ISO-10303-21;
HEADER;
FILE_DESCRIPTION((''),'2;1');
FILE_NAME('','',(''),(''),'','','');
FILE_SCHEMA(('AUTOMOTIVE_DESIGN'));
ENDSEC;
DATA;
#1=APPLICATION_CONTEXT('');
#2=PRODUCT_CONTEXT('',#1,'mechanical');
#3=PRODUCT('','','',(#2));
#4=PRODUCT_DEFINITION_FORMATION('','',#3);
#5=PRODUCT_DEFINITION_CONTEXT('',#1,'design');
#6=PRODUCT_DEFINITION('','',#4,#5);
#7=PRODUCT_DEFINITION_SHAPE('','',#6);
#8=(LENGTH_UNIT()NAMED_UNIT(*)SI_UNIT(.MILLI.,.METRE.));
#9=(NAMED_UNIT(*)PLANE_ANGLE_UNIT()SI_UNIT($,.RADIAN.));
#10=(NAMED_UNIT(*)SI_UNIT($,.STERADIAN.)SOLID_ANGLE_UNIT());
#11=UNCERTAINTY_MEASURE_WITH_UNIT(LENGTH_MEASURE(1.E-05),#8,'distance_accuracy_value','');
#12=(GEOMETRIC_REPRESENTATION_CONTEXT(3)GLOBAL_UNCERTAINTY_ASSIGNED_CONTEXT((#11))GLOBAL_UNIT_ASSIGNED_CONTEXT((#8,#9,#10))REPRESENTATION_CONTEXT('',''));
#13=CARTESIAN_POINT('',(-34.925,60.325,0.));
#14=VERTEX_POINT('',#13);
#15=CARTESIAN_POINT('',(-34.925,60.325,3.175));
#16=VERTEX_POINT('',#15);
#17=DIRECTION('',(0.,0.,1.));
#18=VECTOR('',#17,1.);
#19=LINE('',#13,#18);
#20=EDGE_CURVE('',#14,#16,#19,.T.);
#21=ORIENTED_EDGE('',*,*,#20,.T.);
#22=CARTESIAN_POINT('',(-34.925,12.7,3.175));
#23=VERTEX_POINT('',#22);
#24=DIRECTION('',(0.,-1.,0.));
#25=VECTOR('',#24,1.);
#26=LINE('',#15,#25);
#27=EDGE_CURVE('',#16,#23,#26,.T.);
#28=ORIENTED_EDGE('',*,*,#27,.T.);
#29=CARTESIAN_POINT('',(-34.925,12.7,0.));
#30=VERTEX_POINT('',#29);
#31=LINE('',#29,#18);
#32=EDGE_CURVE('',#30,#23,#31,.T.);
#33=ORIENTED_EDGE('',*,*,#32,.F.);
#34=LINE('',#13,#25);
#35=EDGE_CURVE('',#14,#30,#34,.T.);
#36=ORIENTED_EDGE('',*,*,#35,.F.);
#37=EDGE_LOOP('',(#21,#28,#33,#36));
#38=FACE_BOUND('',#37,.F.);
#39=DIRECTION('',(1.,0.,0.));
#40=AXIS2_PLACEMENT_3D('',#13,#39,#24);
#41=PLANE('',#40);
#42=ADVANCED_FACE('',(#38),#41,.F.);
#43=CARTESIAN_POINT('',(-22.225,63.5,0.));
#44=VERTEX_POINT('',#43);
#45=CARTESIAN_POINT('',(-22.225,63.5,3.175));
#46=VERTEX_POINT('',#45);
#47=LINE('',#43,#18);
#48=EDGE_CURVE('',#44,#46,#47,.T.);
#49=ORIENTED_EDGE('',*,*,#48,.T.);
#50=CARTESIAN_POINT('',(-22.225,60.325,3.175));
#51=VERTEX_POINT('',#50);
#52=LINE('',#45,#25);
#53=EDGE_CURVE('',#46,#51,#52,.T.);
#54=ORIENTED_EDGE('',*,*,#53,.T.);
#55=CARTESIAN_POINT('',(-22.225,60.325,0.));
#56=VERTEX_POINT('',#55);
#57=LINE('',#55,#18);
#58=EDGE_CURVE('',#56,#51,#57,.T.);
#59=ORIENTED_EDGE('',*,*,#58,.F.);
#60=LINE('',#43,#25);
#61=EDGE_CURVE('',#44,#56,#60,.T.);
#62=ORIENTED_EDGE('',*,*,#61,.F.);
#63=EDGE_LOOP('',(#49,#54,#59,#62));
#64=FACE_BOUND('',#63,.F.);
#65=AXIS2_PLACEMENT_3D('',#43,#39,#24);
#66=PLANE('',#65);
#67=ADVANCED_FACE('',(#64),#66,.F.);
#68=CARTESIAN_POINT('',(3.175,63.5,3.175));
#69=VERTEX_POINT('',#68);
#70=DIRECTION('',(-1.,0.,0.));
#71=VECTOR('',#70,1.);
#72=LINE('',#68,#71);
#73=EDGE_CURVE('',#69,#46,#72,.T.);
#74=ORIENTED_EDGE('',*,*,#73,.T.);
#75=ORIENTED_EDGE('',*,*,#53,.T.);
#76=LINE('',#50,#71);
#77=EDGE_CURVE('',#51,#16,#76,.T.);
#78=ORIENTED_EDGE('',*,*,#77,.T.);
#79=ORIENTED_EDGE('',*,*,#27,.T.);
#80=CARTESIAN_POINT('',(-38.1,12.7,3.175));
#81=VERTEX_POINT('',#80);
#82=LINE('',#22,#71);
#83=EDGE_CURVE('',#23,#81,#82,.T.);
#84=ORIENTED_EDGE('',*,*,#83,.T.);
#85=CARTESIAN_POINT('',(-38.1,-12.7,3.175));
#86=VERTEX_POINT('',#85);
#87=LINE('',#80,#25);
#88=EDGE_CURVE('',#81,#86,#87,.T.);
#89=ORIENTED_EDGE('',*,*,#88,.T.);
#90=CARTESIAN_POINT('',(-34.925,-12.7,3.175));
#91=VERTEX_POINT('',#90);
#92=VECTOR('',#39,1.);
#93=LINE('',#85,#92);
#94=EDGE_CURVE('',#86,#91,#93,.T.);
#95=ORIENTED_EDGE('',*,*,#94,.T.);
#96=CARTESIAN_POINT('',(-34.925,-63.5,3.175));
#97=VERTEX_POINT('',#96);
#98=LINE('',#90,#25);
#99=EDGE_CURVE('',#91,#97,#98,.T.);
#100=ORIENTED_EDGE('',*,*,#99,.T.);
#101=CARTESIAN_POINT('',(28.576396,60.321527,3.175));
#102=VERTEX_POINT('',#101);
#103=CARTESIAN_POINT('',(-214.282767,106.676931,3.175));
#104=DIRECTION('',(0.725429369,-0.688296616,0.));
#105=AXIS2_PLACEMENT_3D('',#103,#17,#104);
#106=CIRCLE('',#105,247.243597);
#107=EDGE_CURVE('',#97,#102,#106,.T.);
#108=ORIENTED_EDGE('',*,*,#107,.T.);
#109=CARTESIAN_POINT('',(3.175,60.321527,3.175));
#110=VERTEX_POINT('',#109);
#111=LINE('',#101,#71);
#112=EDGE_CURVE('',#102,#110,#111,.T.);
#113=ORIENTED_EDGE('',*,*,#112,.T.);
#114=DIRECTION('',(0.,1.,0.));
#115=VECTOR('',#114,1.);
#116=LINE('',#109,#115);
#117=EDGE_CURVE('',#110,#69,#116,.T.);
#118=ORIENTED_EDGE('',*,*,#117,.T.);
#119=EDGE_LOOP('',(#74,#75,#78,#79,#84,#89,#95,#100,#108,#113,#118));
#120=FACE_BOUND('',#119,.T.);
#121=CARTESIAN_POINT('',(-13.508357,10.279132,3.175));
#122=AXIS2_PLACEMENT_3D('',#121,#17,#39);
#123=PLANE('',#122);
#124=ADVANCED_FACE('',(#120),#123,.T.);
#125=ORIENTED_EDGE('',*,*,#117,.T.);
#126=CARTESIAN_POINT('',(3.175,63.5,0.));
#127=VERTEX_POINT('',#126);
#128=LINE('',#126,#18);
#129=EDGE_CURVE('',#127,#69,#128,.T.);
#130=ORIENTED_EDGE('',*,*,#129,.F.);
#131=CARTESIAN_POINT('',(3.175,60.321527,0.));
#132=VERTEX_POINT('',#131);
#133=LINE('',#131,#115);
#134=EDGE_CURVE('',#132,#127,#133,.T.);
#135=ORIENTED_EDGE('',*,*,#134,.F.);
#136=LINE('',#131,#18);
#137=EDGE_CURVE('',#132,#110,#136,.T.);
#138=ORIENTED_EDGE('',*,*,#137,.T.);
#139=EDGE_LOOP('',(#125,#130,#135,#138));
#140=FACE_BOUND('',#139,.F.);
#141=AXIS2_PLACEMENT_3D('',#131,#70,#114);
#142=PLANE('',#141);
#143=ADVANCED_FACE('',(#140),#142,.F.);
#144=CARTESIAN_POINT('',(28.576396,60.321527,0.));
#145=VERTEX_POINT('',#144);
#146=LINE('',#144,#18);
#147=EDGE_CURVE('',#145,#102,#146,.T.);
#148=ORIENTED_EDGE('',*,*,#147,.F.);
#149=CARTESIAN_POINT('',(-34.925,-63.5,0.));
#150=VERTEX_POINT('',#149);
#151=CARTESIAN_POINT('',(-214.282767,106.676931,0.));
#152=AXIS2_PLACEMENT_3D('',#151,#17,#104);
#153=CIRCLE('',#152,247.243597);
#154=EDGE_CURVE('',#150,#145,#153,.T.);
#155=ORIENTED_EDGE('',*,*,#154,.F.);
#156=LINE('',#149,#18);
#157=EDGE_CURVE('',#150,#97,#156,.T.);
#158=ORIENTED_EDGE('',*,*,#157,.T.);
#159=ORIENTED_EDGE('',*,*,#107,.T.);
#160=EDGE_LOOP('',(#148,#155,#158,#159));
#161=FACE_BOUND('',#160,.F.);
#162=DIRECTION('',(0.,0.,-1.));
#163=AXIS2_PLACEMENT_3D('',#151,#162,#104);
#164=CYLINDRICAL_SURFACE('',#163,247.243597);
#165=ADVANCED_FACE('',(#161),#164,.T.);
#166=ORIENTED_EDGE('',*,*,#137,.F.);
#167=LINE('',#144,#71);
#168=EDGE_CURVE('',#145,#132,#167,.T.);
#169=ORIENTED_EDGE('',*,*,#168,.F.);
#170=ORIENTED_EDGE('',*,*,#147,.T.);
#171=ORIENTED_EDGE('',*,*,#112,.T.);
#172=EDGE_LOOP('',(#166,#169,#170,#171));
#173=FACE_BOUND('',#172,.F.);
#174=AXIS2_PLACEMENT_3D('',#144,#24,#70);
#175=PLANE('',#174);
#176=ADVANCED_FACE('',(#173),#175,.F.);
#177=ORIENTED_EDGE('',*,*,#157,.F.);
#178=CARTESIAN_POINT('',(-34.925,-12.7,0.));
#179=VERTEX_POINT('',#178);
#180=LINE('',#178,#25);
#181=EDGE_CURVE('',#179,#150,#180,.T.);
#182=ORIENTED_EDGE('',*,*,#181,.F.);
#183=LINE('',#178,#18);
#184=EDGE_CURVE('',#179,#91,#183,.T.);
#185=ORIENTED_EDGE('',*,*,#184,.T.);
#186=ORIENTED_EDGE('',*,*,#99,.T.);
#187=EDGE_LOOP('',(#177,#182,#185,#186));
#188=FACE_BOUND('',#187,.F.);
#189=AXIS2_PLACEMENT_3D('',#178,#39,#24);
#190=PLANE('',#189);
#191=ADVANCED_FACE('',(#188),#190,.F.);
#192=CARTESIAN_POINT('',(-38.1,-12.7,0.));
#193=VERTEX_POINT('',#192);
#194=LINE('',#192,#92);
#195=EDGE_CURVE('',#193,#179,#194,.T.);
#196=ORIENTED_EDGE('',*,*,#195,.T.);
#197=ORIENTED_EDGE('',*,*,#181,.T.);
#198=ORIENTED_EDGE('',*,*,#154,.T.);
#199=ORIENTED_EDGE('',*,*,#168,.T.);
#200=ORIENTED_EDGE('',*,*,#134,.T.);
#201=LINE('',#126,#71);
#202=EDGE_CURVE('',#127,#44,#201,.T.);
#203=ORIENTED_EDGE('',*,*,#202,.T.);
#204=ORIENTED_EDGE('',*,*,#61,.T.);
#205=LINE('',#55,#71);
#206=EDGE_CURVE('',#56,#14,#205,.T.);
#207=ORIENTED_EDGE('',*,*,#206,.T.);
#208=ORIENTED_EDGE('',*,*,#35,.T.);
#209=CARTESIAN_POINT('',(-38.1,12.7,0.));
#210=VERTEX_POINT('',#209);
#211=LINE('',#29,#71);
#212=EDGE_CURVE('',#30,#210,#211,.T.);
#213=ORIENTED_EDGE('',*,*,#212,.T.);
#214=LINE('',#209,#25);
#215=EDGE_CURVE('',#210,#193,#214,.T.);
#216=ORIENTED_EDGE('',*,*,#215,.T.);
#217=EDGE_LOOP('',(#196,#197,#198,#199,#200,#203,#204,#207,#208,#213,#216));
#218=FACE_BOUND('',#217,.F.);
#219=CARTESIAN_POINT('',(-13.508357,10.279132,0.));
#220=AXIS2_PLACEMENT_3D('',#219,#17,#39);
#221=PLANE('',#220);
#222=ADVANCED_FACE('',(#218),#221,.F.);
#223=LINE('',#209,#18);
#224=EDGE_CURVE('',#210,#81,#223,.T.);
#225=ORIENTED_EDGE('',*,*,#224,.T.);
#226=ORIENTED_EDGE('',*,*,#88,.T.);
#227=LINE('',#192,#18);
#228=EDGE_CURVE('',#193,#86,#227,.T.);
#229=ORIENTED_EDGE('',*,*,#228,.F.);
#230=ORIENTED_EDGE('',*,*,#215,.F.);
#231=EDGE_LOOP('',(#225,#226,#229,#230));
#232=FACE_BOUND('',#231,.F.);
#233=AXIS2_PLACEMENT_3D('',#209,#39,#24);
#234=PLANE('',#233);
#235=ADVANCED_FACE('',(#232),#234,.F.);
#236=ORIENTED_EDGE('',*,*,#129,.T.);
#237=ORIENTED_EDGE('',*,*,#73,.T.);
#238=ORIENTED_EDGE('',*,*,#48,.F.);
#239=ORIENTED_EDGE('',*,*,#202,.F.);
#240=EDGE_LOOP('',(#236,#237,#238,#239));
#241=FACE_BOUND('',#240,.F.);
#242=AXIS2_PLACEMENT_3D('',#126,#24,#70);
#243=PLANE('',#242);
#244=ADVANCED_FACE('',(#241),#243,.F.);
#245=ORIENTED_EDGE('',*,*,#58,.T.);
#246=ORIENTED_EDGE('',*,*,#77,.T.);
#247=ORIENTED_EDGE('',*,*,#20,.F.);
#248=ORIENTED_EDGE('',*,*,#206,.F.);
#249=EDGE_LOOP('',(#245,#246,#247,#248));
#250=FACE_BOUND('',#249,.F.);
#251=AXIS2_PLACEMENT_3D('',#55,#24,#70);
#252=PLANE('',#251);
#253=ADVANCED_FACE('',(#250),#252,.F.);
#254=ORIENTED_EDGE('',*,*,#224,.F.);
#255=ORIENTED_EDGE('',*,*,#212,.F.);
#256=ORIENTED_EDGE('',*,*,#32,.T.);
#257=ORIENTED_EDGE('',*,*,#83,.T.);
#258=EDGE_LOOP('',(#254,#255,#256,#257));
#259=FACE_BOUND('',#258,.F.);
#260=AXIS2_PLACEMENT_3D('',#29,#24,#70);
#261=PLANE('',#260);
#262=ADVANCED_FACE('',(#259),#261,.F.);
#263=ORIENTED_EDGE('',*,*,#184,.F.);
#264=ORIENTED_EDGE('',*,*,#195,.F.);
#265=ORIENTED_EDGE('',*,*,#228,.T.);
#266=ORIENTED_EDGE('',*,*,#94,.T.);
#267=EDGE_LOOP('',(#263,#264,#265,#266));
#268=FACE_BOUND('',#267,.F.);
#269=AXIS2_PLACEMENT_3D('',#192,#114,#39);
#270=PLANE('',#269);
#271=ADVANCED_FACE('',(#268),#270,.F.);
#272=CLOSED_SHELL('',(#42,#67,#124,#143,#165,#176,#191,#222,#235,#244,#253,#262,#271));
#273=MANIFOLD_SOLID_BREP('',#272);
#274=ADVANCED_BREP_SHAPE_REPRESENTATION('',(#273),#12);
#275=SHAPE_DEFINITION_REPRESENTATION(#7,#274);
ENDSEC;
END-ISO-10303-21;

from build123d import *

# Parameters (mm, degrees)
F1_DEPTH = 3.175


with BuildPart() as f1:
    # F0 (on Top) → F1 (new body)
    with BuildSketch(Plane.XY):
        with BuildLine():
            Line((3.175, 63.5), (-22.225, 63.5))
            Line((-22.225, 63.5), (-22.225, 60.325))
            Line((-22.225, 60.325), (-34.925, 60.325))
            Line((-34.925, 60.325), (-34.925, 12.7))
            Line((-34.925, 12.7), (-38.1, 12.7))
            Line((-38.1, 12.7), (-38.1, -12.7))
            Line((-38.1, -12.7), (-34.925, -12.7))
            Line((-34.925, -12.7), (-34.925, -60.325))
            Line((-34.925, -60.325), (-34.925, -63.5))
            ThreePointArc((-34.925, -63.5), (5.716612, -6.148907), (28.576396, 60.321527))
            Line((28.576396, 60.321527), (3.175, 60.321527))
            Line((3.175, 60.321527), (3.175, 63.5))
        make_face()
    extrude(amount=F1_DEPTH)


solid = f1.part
